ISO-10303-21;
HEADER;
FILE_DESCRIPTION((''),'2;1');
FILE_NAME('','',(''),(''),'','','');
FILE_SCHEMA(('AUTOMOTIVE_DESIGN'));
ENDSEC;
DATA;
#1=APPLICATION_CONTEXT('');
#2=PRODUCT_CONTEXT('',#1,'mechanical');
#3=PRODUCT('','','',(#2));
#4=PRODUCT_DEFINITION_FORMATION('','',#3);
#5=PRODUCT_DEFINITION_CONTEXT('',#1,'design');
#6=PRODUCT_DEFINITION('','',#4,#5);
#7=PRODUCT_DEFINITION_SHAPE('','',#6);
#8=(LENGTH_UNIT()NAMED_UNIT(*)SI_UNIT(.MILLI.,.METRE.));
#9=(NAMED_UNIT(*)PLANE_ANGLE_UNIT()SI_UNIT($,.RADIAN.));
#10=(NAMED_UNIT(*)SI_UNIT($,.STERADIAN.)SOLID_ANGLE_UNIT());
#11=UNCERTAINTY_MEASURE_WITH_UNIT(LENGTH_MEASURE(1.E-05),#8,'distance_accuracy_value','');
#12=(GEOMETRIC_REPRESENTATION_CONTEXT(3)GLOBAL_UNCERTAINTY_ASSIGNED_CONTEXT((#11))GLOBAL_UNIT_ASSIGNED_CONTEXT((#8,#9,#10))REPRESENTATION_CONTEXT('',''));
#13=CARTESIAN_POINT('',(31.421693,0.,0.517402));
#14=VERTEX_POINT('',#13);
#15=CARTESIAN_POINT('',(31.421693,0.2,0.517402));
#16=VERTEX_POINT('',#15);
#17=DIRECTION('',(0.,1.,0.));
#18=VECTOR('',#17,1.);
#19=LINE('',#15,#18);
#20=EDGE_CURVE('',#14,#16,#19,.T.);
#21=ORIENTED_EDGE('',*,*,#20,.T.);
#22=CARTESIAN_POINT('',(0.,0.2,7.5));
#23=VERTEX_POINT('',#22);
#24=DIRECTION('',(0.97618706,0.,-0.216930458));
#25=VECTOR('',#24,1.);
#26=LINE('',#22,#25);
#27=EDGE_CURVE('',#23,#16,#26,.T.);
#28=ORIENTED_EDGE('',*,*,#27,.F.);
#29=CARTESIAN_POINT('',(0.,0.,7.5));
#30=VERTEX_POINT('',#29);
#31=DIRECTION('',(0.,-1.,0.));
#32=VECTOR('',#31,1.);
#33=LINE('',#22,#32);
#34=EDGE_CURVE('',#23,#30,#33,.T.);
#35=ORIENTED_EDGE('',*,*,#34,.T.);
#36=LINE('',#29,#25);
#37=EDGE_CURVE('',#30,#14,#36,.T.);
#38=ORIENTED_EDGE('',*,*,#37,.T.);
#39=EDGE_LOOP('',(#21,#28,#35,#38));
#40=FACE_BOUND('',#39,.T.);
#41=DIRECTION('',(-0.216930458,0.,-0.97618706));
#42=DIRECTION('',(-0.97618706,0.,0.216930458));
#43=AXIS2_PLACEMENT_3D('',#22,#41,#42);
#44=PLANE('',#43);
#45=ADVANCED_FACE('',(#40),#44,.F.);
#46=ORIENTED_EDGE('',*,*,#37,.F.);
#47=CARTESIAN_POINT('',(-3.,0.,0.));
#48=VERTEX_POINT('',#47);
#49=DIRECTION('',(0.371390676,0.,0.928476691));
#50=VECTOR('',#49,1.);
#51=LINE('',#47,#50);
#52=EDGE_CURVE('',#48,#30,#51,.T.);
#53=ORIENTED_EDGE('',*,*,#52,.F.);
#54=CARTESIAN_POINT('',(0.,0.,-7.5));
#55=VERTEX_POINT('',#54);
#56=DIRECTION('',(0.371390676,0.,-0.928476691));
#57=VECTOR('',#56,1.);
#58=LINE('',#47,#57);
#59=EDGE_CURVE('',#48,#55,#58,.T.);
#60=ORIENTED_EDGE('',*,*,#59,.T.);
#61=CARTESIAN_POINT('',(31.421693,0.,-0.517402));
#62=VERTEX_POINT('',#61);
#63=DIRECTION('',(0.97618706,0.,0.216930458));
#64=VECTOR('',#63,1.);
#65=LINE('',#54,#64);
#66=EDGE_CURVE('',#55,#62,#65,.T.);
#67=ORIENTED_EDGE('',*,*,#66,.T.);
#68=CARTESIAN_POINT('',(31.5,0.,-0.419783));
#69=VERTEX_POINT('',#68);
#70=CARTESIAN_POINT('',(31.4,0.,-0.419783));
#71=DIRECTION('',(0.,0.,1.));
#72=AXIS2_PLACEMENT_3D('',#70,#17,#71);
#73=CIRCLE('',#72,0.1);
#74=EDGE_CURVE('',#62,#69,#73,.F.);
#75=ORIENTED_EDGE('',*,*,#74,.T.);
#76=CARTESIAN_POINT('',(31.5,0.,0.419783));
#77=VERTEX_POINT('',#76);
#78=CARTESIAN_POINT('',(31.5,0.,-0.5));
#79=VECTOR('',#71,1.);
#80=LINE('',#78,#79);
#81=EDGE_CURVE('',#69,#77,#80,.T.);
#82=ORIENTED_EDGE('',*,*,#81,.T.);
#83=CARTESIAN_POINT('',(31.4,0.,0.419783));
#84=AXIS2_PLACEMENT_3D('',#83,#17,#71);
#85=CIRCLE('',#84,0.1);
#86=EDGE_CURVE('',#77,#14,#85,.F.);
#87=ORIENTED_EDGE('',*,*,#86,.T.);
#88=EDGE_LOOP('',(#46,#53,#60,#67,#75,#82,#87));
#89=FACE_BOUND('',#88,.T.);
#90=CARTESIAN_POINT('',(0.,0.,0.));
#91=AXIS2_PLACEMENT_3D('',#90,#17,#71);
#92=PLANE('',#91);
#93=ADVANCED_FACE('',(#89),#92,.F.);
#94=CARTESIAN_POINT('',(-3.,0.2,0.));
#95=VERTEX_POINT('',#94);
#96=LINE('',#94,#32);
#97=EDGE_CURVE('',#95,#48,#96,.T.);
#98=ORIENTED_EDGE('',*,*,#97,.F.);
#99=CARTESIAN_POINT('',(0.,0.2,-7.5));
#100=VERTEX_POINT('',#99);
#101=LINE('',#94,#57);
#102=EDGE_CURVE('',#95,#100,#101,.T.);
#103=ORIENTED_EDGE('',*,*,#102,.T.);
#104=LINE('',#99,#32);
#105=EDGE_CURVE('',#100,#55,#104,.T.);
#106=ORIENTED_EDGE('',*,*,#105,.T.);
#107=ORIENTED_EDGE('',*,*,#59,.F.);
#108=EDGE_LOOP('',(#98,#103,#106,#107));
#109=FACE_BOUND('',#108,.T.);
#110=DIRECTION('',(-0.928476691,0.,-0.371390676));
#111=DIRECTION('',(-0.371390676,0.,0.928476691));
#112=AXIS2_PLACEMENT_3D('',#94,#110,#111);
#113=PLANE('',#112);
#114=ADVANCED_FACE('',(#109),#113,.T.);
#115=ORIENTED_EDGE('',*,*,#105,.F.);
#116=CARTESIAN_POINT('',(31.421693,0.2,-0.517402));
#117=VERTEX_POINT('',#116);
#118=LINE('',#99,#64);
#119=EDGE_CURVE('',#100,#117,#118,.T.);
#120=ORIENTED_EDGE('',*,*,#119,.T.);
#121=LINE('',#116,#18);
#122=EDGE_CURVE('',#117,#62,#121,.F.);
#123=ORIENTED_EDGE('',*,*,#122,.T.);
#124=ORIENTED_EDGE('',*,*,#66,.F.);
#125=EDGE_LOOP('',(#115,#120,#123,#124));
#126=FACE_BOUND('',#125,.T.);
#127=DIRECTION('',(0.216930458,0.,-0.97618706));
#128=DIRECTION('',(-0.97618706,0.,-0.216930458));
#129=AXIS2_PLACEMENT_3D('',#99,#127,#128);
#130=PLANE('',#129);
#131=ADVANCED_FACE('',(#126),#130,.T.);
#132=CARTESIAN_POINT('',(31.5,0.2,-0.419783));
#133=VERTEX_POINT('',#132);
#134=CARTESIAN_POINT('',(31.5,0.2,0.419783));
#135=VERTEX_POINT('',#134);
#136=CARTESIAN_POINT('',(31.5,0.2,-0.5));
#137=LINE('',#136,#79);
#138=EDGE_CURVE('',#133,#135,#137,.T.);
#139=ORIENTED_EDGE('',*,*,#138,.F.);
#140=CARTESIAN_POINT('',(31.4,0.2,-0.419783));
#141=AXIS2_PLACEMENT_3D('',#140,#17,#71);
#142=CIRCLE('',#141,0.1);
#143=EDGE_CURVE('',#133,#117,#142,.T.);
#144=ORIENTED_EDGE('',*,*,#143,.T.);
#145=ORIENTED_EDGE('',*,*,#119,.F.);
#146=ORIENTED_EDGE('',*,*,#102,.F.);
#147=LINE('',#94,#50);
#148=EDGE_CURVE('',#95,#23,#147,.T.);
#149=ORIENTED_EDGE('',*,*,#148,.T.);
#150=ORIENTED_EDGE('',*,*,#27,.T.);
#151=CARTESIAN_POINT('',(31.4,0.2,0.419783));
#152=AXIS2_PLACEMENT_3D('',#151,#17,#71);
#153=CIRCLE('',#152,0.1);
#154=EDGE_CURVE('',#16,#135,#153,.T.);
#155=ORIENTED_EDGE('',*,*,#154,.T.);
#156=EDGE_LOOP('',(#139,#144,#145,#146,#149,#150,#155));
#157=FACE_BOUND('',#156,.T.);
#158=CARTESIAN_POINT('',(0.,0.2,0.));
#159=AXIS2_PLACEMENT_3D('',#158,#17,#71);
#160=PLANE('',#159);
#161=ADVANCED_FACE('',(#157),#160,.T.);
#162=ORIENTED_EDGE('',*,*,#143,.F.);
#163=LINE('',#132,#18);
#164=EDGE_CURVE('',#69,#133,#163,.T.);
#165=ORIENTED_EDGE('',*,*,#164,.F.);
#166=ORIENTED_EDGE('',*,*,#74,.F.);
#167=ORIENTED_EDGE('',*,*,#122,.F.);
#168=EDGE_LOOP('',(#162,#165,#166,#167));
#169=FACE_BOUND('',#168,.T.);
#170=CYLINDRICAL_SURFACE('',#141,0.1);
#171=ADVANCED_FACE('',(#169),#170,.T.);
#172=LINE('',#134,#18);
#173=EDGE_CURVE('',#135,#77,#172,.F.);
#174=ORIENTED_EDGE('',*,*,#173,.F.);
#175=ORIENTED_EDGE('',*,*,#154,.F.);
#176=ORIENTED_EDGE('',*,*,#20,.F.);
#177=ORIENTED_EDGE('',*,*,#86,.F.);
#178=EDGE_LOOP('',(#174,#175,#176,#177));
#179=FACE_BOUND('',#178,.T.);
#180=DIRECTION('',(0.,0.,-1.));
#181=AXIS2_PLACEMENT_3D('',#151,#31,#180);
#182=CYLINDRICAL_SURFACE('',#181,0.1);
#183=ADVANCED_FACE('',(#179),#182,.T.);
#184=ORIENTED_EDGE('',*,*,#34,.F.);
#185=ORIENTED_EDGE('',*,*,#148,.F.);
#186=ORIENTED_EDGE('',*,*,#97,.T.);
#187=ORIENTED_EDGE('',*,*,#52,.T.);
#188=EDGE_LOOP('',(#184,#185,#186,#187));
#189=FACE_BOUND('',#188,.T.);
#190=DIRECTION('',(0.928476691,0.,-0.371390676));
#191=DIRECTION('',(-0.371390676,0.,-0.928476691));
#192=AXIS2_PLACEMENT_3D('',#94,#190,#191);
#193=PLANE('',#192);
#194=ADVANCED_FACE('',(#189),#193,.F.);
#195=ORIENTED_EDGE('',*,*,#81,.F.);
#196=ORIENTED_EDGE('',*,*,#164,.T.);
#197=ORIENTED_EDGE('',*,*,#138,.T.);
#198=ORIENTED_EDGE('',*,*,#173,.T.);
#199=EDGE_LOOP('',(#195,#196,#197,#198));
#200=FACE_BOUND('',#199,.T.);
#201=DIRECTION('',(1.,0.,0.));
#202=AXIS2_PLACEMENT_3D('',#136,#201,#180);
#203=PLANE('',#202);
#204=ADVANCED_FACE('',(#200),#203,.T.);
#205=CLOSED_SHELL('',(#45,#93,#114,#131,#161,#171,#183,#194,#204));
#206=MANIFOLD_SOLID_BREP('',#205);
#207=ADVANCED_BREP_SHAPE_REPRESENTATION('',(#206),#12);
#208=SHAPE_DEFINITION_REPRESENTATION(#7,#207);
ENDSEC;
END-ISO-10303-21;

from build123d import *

# Parameters (mm, degrees)
BOSS_EXTRUDE1_DEPTH = 0.2
FILLET4_R           = 0.1
FILLET5_R           = 0.1


with BuildPart() as part:
    # Sketch2 → Boss-Extrude1 (new body)
    with BuildSketch(Plane(origin=(0, 0, 0), x_dir=(1, 0, 0), z_dir=(0, 1, 0))):
        Polygon((-3, 0), (1e-09, 7.5), (31.5, 0.5), (31.5, -0.5), (1e-09, -7.5), align=None)
    extrude(amount=BOSS_EXTRUDE1_DEPTH)

    # Fillet4
    fillet4_edges = [part.edges().sort_by_distance(p)[0] for p in [
        (31.5, 0.1, 0.5),
    ]]
    fillet(fillet4_edges, radius=FILLET4_R)

    # Fillet5
    fillet5_edges = [part.edges().sort_by_distance(p)[0] for p in [
        (31.5, 0.1, -0.5),
    ]]
    fillet(fillet5_edges, radius=FILLET5_R)


solid = part.part
